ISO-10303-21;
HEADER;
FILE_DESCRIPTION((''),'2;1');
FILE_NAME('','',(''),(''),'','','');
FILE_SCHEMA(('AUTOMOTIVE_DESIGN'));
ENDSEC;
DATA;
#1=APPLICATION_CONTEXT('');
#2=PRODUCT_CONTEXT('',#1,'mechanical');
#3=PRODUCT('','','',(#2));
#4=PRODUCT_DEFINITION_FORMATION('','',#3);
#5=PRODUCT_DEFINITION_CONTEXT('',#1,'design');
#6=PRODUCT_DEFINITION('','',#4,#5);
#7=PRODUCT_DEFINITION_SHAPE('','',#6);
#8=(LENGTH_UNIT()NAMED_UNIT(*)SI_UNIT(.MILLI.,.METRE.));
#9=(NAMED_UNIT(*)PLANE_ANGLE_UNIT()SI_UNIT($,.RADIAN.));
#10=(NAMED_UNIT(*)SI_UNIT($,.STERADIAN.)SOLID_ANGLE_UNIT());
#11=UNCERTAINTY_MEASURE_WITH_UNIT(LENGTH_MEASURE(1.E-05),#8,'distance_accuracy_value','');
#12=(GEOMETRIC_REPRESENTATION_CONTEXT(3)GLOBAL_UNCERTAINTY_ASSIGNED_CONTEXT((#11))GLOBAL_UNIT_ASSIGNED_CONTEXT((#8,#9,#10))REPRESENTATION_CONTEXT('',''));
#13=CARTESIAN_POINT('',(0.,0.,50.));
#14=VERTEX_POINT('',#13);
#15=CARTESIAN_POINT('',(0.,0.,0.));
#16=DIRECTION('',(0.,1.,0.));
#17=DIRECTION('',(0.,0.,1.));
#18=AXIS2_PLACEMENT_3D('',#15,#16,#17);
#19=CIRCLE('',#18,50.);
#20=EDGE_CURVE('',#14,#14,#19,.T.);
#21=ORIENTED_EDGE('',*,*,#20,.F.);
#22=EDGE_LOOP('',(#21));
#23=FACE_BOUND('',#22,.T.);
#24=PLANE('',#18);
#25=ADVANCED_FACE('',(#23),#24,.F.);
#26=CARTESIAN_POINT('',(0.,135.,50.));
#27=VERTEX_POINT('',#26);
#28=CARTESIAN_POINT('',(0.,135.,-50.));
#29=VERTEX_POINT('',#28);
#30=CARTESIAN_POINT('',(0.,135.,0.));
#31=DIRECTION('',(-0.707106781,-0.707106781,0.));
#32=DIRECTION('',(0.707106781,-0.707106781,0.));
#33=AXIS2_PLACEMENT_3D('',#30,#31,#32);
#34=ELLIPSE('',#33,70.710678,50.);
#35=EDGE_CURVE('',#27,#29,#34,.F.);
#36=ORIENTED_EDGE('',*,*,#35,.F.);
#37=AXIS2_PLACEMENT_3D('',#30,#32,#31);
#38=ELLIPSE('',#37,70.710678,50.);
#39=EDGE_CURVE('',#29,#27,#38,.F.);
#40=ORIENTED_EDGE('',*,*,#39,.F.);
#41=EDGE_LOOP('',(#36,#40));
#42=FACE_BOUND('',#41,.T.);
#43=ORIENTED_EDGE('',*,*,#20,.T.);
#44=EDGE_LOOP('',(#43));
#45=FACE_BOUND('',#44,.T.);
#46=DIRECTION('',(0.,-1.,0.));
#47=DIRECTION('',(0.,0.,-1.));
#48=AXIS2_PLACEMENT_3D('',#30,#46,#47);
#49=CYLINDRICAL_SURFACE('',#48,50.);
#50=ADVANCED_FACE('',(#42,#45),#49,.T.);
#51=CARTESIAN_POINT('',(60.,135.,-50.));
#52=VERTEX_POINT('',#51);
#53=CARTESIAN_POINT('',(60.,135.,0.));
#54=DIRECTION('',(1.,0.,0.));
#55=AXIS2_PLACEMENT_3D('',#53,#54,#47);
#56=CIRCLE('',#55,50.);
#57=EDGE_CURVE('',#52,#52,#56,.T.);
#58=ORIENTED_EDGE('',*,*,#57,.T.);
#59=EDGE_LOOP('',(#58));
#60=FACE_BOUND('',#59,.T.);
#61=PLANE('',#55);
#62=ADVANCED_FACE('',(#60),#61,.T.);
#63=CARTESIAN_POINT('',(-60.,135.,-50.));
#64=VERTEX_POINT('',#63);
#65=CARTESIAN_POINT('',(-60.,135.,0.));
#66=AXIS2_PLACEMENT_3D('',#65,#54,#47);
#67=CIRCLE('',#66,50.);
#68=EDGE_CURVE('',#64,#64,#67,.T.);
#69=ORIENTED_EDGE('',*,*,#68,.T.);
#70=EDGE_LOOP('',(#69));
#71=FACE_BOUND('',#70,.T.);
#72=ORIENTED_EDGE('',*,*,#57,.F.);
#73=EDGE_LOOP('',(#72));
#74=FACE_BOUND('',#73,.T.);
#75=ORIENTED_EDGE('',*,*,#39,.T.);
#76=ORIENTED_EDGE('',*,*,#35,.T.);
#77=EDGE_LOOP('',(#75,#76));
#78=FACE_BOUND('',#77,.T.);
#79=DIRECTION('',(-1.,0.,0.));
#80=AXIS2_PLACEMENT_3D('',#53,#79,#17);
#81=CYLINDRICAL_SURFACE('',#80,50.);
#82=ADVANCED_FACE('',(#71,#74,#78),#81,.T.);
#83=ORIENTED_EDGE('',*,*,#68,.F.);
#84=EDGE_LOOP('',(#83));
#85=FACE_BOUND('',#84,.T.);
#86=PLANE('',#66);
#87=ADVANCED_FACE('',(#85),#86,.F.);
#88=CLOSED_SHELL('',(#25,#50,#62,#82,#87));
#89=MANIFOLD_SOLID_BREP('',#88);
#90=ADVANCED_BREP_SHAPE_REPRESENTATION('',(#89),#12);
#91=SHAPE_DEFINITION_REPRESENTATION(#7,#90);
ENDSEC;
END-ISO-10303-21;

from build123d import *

# Parameters (mm, degrees)
SKETCH_1_R      = 50
EXTRUDE_1_DEPTH = 135
SKETCH_2_R      = 50
EXTRUDE_2_DEPTH = 60


with BuildPart() as part:
    # 草图1 → 凸台-拉伸1 (new body)
    with BuildSketch(Plane(origin=(0, 0, 0), x_dir=(1, 0, 0), z_dir=(0, 1, 0))):
        with Locations(Location((0, 0, 0), (0, 0, 270))):
            Circle(SKETCH_1_R)
    extrude(amount=EXTRUDE_1_DEPTH)

    # 草图2 → 凸台-拉伸2 (add, symmetric)
    with BuildSketch(Plane(origin=(0, 0, 0), x_dir=(0, 0, -1), z_dir=(1, 0, 0))):
        with Locations((0, 135)):
            Circle(SKETCH_2_R)
    extrude(amount=EXTRUDE_2_DEPTH, both=True)


solid = part.part
